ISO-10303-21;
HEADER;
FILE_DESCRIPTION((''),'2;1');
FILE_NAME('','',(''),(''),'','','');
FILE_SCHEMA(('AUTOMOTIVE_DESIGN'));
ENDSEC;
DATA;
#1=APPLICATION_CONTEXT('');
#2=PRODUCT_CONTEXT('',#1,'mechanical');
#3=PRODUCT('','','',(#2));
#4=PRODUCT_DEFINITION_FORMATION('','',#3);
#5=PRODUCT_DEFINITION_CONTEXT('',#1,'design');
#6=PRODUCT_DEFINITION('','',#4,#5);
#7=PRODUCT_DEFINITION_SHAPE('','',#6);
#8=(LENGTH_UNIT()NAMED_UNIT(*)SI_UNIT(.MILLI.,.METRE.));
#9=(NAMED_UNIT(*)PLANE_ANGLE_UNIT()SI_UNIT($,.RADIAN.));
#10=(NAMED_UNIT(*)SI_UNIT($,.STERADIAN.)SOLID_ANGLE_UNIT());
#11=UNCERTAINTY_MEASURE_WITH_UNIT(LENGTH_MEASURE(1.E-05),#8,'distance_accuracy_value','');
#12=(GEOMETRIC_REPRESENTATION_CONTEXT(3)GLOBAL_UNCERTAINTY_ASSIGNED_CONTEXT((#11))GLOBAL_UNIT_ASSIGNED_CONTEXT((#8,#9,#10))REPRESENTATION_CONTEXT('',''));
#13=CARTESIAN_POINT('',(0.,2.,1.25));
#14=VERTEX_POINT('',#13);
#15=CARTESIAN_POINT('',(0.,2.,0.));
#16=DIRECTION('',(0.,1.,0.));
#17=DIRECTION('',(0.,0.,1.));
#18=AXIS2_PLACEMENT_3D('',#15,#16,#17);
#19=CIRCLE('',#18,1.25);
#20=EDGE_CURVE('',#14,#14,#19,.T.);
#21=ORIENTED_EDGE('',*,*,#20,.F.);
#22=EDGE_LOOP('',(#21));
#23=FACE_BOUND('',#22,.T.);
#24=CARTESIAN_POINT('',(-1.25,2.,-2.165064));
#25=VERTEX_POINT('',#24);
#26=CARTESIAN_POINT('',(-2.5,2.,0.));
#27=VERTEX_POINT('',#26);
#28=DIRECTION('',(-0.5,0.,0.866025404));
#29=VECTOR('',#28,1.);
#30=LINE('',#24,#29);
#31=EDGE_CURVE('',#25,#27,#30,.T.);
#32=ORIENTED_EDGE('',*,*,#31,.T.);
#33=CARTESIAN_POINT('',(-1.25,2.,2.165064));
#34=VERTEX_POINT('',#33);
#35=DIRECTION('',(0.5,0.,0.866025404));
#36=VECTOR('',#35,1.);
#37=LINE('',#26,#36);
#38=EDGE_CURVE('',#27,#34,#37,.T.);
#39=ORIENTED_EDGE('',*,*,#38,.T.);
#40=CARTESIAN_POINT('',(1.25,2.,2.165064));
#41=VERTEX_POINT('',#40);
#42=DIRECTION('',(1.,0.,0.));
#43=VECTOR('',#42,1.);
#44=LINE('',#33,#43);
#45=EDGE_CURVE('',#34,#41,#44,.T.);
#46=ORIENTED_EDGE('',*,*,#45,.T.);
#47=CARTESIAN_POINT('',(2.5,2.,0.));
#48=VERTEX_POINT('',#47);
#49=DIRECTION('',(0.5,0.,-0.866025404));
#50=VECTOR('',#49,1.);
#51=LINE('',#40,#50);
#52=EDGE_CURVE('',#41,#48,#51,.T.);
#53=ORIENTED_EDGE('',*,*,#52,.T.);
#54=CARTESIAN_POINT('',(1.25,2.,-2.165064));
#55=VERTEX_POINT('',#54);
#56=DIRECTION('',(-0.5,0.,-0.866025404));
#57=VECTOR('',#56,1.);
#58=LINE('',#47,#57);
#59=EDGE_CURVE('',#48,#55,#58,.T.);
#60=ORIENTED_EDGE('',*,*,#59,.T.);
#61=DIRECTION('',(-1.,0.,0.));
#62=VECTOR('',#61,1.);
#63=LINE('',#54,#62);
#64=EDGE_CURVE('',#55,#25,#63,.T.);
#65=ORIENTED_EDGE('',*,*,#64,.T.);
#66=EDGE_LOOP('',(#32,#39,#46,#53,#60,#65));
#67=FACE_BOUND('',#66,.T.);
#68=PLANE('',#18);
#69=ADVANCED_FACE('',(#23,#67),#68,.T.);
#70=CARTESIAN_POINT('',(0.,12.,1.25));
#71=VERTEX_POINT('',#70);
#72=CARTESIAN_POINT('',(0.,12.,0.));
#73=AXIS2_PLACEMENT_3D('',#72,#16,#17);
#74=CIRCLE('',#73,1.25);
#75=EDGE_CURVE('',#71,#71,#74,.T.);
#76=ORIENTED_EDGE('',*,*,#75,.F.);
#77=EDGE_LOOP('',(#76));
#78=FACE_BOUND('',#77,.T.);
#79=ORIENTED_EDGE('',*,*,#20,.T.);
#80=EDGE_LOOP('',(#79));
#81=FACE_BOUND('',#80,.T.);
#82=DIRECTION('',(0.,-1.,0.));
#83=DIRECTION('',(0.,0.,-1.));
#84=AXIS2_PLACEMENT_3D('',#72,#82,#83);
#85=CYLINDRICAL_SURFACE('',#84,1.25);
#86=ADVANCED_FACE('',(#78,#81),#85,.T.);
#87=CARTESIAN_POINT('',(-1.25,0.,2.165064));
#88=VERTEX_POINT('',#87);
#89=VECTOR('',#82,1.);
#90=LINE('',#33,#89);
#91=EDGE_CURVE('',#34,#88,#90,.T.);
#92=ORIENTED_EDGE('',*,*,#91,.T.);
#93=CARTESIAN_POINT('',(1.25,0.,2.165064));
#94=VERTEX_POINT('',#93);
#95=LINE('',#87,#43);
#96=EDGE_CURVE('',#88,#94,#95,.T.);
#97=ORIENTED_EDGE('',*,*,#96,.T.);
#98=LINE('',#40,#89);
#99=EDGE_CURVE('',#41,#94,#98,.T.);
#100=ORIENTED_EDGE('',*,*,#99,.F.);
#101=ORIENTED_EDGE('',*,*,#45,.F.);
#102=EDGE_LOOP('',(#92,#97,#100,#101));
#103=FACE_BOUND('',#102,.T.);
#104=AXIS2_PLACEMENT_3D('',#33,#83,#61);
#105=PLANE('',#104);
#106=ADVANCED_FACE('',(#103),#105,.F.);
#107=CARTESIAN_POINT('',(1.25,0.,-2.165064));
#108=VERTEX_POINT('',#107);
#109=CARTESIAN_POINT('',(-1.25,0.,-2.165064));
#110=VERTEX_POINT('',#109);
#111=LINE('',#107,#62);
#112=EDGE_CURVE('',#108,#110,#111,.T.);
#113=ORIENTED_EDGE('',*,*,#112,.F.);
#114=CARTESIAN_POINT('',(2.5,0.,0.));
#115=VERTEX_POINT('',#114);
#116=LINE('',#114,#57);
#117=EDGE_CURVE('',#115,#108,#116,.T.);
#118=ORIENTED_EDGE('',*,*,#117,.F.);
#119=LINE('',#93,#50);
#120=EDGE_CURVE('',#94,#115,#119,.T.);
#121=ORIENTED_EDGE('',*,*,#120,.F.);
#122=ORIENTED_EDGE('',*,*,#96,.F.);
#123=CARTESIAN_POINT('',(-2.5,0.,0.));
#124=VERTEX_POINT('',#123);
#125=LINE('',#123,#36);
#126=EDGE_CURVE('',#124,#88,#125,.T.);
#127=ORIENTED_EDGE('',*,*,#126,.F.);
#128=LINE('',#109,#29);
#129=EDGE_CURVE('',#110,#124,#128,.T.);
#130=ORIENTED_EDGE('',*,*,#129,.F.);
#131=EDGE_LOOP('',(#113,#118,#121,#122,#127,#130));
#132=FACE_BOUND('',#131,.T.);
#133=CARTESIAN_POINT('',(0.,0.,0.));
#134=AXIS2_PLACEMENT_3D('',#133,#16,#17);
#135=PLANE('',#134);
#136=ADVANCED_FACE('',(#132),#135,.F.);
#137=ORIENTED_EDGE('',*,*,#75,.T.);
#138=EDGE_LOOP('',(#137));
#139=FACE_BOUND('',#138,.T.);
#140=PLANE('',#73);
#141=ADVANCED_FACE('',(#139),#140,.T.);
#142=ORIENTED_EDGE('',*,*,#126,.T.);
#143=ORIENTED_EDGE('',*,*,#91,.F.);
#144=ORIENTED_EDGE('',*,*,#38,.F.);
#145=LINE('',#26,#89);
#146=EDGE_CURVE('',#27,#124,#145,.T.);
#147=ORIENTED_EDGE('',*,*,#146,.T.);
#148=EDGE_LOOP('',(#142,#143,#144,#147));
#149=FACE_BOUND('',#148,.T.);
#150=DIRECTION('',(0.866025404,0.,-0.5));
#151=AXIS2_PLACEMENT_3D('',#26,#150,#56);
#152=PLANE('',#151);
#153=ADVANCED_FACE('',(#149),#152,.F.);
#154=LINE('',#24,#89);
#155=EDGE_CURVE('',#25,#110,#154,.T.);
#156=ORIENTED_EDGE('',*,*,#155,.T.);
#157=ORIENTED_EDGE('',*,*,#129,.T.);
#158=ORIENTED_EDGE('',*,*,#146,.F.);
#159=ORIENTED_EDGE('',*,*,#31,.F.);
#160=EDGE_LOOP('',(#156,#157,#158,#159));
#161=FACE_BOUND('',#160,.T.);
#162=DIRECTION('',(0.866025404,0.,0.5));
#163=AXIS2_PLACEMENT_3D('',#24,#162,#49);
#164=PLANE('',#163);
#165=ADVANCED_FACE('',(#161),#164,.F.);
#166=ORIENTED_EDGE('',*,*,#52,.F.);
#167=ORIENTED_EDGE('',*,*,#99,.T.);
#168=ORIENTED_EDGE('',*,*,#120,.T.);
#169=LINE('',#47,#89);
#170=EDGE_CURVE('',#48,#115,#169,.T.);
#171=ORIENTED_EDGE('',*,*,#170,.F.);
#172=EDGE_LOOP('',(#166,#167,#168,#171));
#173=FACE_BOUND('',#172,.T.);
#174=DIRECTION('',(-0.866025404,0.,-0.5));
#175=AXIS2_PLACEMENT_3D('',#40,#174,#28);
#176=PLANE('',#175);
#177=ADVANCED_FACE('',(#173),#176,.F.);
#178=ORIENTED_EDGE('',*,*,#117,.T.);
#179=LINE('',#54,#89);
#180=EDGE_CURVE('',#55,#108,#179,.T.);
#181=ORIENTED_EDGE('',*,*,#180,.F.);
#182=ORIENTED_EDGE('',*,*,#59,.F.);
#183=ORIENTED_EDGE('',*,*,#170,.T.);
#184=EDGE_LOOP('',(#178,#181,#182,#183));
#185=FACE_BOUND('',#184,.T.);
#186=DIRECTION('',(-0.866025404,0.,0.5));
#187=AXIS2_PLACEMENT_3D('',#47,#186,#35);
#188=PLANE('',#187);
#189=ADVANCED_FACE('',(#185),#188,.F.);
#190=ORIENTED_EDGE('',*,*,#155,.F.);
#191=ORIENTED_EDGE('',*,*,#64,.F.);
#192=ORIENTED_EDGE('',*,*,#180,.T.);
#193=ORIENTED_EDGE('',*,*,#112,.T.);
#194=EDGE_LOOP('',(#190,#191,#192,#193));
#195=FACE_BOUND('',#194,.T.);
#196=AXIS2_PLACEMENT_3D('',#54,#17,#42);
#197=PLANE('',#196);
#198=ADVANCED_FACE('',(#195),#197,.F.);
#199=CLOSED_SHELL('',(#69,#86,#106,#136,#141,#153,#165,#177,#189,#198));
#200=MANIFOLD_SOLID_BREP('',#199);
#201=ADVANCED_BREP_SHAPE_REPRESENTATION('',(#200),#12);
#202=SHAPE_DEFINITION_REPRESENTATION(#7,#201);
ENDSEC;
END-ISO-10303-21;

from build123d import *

# Parameters (mm, degrees)
EXTRUDE_1_DEPTH = 2
SKETCH_2_R      = 1.25
EXTRUDE_2_DEPTH = 10


with BuildPart() as part:
    # 草图1 → 凸台-拉伸1 (new body)
    with BuildSketch(Plane(origin=(0, 0, 0), x_dir=(1, 0, 0), z_dir=(0, 1, 0))):
        Polygon((1.25, 2.165063509), (-1.25, 2.165063509), (-2.5, 0), (-1.25, -2.165063509), (1.25, -2.165063509), (2.5, 0), align=None)
    extrude(amount=EXTRUDE_1_DEPTH)

    # 草图2 → 凸台-拉伸2 (add)
    with BuildSketch(Plane(origin=(0, 2, 0), x_dir=(1, 0, 0), z_dir=(0, 1, 0))):
        with Locations(Location((0, 0, 0), (0, 0, 270))):
            Circle(SKETCH_2_R)
    extrude(amount=EXTRUDE_2_DEPTH)


solid = part.part
